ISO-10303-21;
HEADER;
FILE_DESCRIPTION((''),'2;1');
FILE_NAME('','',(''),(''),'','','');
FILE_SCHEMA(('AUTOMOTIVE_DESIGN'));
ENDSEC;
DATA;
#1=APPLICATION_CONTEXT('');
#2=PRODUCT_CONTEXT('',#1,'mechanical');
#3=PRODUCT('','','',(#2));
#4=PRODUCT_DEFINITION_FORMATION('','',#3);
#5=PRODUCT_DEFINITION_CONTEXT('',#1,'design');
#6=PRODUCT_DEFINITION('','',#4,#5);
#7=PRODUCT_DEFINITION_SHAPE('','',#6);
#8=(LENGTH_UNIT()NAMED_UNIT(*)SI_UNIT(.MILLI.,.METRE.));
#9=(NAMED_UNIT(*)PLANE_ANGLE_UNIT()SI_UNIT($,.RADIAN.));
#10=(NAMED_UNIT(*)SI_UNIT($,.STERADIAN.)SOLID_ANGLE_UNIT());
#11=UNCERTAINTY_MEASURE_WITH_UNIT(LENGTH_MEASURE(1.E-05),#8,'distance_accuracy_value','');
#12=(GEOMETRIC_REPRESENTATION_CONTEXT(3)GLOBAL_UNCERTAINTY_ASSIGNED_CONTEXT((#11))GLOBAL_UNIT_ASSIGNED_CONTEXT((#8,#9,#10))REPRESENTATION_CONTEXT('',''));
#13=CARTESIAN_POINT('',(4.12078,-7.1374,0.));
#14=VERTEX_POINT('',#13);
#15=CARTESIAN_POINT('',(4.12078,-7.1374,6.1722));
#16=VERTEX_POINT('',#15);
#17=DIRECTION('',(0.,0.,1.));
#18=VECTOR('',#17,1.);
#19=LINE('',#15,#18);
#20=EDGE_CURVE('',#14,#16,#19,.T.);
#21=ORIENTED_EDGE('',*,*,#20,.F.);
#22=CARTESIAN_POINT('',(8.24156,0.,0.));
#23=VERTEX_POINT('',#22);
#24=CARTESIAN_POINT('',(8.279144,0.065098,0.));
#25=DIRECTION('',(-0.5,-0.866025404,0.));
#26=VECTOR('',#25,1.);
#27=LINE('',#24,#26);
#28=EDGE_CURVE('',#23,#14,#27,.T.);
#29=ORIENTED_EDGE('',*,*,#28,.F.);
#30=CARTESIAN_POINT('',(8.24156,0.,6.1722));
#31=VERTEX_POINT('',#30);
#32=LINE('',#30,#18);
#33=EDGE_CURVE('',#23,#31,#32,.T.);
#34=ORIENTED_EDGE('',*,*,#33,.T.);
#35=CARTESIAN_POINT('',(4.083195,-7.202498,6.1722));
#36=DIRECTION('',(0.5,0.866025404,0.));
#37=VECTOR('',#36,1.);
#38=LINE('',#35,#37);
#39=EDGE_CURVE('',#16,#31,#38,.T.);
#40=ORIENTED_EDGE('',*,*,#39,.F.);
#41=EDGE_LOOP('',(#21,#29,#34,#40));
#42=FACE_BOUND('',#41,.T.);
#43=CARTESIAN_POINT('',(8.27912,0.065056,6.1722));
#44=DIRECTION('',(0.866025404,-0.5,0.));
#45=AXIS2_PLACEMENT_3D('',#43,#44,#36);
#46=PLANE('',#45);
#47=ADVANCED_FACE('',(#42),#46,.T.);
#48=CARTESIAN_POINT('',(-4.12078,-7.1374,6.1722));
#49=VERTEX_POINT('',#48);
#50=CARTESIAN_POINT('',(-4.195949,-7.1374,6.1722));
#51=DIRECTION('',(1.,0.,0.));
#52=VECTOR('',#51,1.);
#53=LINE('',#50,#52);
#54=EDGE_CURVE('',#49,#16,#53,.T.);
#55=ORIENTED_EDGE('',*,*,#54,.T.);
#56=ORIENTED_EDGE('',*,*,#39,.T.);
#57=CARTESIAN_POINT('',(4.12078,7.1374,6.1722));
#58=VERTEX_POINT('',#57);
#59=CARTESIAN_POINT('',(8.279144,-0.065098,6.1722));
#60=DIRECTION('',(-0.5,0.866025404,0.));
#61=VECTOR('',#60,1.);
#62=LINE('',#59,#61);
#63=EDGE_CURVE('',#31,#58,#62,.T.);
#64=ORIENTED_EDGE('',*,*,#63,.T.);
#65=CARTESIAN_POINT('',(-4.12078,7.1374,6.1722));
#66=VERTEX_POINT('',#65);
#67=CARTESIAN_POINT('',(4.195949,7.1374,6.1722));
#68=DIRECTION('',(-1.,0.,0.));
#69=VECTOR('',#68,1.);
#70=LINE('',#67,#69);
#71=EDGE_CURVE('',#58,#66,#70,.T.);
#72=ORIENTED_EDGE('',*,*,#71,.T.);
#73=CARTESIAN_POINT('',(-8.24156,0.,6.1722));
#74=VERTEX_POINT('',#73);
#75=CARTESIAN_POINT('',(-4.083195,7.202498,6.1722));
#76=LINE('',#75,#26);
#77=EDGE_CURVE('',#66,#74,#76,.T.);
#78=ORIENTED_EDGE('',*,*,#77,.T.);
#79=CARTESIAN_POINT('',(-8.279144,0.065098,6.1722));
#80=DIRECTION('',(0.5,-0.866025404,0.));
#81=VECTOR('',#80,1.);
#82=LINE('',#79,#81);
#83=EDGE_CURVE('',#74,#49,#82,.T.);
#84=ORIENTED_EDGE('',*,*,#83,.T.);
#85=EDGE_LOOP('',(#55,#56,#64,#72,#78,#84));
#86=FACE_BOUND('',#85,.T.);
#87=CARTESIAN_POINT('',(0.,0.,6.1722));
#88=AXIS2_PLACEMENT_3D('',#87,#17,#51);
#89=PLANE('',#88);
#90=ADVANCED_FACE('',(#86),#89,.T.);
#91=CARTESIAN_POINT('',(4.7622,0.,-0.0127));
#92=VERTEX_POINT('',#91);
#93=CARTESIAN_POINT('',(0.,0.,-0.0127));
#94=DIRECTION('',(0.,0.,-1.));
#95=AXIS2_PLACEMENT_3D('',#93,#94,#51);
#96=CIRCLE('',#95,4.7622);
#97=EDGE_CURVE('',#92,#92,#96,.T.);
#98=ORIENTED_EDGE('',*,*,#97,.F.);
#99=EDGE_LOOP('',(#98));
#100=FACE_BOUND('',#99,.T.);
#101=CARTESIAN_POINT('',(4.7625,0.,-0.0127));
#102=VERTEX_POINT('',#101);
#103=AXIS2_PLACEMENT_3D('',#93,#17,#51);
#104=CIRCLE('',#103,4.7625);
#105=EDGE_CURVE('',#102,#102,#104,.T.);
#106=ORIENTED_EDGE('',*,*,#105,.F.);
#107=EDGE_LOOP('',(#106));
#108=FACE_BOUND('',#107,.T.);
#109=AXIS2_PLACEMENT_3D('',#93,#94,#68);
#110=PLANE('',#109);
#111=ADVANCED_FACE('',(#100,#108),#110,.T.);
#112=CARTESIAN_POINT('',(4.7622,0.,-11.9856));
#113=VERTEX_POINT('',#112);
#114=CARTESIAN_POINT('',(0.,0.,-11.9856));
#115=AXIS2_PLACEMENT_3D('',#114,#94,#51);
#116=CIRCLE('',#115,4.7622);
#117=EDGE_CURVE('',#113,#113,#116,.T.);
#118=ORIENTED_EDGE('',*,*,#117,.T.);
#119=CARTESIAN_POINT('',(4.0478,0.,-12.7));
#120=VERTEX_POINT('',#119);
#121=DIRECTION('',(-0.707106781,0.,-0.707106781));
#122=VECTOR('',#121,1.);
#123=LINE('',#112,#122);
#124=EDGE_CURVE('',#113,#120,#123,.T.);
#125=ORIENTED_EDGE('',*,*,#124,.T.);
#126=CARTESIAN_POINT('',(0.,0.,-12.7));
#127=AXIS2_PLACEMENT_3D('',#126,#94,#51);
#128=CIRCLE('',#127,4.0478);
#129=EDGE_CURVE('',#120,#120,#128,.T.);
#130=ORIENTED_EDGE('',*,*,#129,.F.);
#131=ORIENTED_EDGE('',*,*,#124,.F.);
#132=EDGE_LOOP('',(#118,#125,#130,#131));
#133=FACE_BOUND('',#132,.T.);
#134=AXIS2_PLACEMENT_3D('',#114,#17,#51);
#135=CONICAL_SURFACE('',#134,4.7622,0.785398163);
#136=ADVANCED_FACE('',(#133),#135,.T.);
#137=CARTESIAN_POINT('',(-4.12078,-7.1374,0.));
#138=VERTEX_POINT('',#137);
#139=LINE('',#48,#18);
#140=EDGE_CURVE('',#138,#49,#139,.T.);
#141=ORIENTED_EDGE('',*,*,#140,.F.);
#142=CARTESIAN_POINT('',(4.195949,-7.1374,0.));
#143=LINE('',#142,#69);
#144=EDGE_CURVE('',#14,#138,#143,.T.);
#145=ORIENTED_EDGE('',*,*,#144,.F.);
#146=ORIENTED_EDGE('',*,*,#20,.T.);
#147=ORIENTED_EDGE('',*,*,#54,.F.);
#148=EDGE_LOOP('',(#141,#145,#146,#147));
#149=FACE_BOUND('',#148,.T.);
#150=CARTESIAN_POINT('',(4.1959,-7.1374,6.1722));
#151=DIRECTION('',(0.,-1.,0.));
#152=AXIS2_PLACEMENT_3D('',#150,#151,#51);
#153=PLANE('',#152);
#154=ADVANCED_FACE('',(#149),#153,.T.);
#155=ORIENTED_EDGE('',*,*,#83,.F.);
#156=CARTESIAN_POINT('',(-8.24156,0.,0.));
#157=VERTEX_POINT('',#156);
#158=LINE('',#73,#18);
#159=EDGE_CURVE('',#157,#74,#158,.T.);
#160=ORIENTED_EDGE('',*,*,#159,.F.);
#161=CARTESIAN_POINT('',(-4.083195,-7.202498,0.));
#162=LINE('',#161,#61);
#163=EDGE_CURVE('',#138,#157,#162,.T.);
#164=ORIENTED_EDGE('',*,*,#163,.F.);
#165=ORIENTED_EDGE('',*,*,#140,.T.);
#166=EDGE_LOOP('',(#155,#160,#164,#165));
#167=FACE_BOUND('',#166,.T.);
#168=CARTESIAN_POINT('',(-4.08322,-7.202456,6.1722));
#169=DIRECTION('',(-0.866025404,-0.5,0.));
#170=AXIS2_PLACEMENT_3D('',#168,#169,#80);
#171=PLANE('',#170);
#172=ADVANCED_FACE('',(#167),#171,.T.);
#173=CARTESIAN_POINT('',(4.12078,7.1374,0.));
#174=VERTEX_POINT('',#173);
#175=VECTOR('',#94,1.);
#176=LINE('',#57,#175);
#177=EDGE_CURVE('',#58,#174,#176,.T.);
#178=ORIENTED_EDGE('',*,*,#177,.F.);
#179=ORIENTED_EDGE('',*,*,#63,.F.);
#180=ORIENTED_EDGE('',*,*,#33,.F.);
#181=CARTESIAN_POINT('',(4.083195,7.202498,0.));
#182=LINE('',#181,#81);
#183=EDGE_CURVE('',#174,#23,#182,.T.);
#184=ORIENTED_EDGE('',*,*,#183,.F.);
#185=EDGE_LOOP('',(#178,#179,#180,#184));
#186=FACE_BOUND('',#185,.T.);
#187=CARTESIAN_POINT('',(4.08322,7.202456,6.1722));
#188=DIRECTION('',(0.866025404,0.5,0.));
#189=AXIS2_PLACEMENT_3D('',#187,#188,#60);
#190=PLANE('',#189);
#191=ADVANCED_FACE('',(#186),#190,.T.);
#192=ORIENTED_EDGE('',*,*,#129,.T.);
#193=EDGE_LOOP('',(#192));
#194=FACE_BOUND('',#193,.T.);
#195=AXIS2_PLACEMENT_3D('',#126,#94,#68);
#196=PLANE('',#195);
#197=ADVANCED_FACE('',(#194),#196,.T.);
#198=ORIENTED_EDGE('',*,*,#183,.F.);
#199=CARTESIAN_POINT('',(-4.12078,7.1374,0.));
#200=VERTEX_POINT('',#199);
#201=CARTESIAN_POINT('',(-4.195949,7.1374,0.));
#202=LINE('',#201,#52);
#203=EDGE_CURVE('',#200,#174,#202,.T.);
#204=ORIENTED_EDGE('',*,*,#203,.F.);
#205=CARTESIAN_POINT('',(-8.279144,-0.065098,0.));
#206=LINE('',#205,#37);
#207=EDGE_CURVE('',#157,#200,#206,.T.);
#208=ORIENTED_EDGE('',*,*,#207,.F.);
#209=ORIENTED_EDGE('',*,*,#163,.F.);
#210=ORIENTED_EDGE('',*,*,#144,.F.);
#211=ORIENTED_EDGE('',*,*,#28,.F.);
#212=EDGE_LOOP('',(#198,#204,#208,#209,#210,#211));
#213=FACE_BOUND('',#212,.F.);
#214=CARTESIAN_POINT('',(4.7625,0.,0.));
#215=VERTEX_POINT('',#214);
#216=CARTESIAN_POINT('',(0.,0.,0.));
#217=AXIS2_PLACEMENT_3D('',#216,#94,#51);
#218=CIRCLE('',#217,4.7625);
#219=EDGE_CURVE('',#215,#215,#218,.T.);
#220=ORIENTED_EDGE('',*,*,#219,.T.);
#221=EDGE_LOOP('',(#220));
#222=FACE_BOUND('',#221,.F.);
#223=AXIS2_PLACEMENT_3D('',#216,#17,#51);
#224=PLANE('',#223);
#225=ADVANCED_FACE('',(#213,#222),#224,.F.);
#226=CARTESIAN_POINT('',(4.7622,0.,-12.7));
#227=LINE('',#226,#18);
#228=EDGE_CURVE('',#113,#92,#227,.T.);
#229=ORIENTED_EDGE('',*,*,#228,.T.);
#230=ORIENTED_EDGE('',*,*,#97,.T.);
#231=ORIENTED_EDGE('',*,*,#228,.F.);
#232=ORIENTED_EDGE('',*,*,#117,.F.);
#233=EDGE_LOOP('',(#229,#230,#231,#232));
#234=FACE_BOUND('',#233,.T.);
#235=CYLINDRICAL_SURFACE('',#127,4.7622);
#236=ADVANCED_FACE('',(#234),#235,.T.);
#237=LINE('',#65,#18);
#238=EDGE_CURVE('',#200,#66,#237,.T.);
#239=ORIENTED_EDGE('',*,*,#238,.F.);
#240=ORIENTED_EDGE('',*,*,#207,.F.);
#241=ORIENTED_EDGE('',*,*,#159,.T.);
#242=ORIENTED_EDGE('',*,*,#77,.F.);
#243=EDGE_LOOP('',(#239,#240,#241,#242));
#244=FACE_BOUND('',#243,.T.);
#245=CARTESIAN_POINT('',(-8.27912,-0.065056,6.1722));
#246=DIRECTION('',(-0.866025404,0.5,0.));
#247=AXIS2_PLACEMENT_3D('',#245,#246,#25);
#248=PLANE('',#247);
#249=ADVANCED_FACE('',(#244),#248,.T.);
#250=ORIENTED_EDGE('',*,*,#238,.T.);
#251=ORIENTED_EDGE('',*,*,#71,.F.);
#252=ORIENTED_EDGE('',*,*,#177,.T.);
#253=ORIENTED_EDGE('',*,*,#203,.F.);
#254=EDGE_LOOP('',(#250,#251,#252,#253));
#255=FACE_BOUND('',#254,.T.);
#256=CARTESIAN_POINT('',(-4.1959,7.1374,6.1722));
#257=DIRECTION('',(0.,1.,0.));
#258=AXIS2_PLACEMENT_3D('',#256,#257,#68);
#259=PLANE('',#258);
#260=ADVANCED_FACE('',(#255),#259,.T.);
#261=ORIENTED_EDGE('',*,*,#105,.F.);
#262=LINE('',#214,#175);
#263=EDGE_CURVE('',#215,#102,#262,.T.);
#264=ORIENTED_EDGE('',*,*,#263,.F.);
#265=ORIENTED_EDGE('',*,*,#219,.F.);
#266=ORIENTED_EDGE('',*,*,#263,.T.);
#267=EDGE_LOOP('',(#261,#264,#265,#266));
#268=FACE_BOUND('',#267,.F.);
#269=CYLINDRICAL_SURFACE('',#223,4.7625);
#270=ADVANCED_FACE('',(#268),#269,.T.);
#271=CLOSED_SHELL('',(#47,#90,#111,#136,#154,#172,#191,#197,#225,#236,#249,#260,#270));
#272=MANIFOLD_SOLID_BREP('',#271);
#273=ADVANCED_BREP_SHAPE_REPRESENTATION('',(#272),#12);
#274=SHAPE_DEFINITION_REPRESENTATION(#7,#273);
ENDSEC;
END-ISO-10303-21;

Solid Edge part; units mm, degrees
sketch "Sketch1" plane through (0, 0, 0) normal (0, 0, 1) x (1, 0, 0)
  circle A0 centre (0, 0) radius 8.2794
  dimension "D1" = 16.5588
extrude "Protrusion1" add sketch "Sketch1" along normal blind 6.1722
sketch "Sketch2" plane through (0, 0, 0) normal (0, 0, -1) x (1, 0, 0)
  circle A0 centre (0, 0) radius 4.7625
extrude "Protrusion2" add sketch "Sketch2" along normal blind 12.7
sketch "Sketch3" plane through (0, 0, -12.7) normal (0, 0, -1) x (1, 0, 0)
  circle A0 centre (0, 0) radius 4.7622
extrude "Cutout1" cut sketch "Sketch3" against normal blind 12.6873 flip side to cut
chamfer "Chamfer_1" distance 0.7144 angle 45 1 edges at (-4.7622, 0, -12.7)
sketch "Sketch4" plane through (0, 0, 6.1722) normal (0, 0, 1) x (1, 0, 0)
  line L0 (-4.1959, 7.1374) -> (4.1959, 7.1374)
  dimension "D1" = 14.2748
extrude "Cutout2" cut sketch "Sketch4" against normal up to next material side at (0, 7.1874, 6.1722)
pattern_circular "Pattern1" count 6 over 360 about axis through (0, 0, 6.1722) along (0, 0, 1) of "Cutout2"
properties part number "208267"
